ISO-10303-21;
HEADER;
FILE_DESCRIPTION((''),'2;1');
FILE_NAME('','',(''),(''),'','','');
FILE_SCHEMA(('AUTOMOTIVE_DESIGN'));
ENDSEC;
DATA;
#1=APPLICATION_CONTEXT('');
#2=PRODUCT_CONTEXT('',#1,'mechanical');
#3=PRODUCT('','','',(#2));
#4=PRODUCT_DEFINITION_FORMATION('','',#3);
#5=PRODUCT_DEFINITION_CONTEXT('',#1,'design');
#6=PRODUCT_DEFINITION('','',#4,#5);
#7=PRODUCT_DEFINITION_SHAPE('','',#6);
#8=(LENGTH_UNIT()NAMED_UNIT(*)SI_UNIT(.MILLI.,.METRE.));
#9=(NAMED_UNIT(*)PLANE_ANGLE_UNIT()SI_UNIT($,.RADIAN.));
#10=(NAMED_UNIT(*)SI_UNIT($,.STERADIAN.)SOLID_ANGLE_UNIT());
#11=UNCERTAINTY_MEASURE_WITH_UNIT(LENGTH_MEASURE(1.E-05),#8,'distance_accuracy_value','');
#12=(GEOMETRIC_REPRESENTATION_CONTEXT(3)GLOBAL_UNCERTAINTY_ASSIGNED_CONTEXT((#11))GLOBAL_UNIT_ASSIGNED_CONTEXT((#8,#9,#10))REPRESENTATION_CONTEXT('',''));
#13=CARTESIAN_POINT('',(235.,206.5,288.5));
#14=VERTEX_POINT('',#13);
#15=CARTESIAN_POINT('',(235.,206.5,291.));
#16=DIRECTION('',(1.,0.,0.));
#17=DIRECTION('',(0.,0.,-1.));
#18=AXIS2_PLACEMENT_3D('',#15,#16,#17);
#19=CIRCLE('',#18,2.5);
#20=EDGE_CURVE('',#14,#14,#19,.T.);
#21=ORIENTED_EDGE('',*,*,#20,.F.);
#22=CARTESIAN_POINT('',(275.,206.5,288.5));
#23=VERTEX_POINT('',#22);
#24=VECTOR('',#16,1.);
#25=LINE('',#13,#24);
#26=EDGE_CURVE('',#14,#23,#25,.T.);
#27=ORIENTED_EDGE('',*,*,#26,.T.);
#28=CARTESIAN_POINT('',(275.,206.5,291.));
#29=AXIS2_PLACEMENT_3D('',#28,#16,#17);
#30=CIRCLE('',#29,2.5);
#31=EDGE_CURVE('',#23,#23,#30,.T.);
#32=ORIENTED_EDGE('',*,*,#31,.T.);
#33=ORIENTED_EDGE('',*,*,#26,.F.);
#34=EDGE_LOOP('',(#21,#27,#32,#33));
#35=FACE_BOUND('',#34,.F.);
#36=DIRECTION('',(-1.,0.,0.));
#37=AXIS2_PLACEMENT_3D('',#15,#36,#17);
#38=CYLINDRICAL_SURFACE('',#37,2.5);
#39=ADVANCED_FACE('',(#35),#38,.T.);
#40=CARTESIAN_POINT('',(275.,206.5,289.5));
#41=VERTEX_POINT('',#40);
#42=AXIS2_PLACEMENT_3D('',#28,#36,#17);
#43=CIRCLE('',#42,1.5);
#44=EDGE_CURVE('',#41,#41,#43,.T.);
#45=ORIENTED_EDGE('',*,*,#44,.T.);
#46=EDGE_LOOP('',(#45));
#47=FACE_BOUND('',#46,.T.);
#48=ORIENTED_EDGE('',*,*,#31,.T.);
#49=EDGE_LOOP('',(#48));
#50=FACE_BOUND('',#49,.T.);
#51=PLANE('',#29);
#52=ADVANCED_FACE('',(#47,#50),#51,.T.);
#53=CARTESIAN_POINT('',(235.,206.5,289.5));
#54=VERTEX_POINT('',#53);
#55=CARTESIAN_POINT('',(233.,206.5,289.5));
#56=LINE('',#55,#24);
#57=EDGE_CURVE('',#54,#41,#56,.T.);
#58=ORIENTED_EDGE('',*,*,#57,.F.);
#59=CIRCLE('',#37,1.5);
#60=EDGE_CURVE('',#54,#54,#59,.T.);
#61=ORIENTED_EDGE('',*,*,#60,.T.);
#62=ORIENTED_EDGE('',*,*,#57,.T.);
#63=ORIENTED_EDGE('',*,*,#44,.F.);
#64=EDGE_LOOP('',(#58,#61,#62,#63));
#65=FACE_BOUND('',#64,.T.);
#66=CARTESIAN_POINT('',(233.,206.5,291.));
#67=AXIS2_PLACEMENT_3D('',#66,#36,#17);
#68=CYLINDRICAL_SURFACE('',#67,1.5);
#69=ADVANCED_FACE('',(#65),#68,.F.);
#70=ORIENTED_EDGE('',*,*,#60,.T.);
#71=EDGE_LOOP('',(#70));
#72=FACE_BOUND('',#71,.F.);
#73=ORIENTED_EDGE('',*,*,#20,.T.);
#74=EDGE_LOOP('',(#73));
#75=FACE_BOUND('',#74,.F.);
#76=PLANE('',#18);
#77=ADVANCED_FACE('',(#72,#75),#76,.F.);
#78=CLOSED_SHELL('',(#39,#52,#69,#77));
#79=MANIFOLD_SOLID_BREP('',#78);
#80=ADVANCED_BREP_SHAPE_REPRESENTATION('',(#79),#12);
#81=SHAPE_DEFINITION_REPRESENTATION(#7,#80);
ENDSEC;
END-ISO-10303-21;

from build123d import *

# Parameters (mm, degrees)
CYLINDER003_R           = 1.5
CYLINDER003_DEPTH       = 44
CYLINDER003_PITCH_ANGLE = 90
CYLINDER002_R           = 2.5
CYLINDER002_DEPTH       = 40
CYLINDER002_PITCH_ANGLE = 90


with BuildPart() as cilindro003:
    # Cylinder003 → Cylinder003 (new body)
    with BuildSketch(Plane.XY):
        Circle(CYLINDER003_R)
    extrude(amount=CYLINDER003_DEPTH)


with BuildPart() as cilindro003_1:
    # Cylinder003 pitch: moved
    add(cilindro003.part.rotate(Axis((0, 0, 0), (0, 1, 0)), CYLINDER003_PITCH_ANGLE))


with BuildPart() as cilindro003_2:
    # Cylinder003 placement: moved
    add(cilindro003_1.part.moved(Location((-2, 0, 0))))


with BuildPart() as soporte2:
    # Cylinder002 → Cylinder002 (new body)
    with BuildSketch(Plane.XY):
        Circle(CYLINDER002_R)
    extrude(amount=CYLINDER002_DEPTH)


with BuildPart() as soporte2_1:
    # Cylinder002 pitch: moved
    add(soporte2.part.rotate(Axis((0, 0, 0), (0, 1, 0)), CYLINDER002_PITCH_ANGLE))


with BuildPart() as soporte2_2:
    # Cylinder002 placement: moved
    add(soporte2_1.part)

    # Cut001: cut Cilindro003
    add(cilindro003_2.part, mode=Mode.SUBTRACT)


with BuildPart() as soporte2_3:
    # Cut001 placement: moved
    add(soporte2_2.part.moved(Location((235, 206.5, 291))))


solid = soporte2_3.part
